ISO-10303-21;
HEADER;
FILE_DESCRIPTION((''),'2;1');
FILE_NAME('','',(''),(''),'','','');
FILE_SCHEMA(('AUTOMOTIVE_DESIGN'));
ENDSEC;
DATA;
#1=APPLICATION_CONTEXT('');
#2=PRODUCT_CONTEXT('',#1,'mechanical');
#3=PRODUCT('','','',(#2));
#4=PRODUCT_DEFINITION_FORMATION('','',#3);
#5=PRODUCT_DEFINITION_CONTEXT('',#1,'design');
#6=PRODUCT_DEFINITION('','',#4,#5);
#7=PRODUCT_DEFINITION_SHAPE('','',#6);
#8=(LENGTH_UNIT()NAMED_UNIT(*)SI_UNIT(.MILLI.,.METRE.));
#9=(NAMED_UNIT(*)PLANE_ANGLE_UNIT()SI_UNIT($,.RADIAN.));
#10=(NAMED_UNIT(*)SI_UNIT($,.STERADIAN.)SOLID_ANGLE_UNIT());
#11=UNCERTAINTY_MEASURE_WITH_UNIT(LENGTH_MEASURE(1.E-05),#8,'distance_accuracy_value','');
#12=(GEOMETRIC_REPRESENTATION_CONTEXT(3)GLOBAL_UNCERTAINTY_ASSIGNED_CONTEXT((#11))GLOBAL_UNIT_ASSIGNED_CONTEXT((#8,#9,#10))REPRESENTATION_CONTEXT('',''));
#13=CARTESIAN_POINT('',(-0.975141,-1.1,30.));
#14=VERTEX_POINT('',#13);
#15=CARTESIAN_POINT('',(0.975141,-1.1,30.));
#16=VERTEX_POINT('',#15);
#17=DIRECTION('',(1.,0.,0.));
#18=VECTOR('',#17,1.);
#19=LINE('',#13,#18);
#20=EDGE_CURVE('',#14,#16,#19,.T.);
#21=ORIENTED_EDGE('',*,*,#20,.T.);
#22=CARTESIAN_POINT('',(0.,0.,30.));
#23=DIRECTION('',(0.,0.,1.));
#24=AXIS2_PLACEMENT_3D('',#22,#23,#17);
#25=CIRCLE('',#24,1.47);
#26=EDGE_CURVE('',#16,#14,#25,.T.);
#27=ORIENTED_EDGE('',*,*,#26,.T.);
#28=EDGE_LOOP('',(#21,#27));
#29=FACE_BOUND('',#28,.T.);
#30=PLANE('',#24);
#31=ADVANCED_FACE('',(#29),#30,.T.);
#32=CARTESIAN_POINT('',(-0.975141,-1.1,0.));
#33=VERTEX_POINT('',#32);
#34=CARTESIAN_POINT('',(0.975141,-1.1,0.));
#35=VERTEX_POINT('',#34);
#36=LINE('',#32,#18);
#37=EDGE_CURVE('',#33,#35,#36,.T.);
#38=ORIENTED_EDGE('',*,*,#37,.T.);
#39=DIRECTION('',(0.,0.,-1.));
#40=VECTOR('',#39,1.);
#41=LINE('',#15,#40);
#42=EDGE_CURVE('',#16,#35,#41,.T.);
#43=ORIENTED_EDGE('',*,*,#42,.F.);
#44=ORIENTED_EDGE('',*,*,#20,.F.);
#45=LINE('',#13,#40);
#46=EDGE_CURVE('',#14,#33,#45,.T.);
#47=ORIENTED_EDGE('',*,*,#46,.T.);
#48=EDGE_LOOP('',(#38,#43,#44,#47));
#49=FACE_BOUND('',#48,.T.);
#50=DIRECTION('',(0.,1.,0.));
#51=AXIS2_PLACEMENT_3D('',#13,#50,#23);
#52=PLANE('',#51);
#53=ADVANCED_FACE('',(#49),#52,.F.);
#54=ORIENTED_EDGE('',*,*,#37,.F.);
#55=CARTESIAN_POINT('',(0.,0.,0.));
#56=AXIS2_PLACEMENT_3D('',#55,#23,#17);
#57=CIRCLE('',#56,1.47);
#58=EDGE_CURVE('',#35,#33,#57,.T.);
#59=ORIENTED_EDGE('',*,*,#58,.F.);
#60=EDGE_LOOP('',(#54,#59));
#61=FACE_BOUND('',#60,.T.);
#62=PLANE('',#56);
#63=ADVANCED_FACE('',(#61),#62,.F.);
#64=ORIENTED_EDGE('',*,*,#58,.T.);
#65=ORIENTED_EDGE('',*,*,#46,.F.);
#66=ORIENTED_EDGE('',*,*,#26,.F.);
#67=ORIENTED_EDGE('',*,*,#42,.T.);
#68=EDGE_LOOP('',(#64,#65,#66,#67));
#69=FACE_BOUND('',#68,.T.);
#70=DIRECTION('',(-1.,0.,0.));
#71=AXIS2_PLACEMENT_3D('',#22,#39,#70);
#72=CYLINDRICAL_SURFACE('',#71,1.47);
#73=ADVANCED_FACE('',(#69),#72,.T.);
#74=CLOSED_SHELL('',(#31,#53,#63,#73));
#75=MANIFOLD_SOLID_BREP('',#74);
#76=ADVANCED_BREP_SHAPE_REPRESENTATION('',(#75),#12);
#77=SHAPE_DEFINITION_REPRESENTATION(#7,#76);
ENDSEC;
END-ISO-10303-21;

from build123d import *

# Parameters (mm, degrees)
BOSS_EXTRUDE1_DEPTH = 30


with BuildPart() as part:
    # Sketch1 → Boss-Extrude1 (new body)
    with BuildSketch(Plane.XY):
        with BuildLine():
            Line((-0.975141015, -1.1), (0.975141015, -1.1))
            ThreePointArc((0.975141015, -1.1), (0, 1.47), (-0.975141015, -1.1))
        make_face()
    extrude(amount=BOSS_EXTRUDE1_DEPTH)


solid = part.part
